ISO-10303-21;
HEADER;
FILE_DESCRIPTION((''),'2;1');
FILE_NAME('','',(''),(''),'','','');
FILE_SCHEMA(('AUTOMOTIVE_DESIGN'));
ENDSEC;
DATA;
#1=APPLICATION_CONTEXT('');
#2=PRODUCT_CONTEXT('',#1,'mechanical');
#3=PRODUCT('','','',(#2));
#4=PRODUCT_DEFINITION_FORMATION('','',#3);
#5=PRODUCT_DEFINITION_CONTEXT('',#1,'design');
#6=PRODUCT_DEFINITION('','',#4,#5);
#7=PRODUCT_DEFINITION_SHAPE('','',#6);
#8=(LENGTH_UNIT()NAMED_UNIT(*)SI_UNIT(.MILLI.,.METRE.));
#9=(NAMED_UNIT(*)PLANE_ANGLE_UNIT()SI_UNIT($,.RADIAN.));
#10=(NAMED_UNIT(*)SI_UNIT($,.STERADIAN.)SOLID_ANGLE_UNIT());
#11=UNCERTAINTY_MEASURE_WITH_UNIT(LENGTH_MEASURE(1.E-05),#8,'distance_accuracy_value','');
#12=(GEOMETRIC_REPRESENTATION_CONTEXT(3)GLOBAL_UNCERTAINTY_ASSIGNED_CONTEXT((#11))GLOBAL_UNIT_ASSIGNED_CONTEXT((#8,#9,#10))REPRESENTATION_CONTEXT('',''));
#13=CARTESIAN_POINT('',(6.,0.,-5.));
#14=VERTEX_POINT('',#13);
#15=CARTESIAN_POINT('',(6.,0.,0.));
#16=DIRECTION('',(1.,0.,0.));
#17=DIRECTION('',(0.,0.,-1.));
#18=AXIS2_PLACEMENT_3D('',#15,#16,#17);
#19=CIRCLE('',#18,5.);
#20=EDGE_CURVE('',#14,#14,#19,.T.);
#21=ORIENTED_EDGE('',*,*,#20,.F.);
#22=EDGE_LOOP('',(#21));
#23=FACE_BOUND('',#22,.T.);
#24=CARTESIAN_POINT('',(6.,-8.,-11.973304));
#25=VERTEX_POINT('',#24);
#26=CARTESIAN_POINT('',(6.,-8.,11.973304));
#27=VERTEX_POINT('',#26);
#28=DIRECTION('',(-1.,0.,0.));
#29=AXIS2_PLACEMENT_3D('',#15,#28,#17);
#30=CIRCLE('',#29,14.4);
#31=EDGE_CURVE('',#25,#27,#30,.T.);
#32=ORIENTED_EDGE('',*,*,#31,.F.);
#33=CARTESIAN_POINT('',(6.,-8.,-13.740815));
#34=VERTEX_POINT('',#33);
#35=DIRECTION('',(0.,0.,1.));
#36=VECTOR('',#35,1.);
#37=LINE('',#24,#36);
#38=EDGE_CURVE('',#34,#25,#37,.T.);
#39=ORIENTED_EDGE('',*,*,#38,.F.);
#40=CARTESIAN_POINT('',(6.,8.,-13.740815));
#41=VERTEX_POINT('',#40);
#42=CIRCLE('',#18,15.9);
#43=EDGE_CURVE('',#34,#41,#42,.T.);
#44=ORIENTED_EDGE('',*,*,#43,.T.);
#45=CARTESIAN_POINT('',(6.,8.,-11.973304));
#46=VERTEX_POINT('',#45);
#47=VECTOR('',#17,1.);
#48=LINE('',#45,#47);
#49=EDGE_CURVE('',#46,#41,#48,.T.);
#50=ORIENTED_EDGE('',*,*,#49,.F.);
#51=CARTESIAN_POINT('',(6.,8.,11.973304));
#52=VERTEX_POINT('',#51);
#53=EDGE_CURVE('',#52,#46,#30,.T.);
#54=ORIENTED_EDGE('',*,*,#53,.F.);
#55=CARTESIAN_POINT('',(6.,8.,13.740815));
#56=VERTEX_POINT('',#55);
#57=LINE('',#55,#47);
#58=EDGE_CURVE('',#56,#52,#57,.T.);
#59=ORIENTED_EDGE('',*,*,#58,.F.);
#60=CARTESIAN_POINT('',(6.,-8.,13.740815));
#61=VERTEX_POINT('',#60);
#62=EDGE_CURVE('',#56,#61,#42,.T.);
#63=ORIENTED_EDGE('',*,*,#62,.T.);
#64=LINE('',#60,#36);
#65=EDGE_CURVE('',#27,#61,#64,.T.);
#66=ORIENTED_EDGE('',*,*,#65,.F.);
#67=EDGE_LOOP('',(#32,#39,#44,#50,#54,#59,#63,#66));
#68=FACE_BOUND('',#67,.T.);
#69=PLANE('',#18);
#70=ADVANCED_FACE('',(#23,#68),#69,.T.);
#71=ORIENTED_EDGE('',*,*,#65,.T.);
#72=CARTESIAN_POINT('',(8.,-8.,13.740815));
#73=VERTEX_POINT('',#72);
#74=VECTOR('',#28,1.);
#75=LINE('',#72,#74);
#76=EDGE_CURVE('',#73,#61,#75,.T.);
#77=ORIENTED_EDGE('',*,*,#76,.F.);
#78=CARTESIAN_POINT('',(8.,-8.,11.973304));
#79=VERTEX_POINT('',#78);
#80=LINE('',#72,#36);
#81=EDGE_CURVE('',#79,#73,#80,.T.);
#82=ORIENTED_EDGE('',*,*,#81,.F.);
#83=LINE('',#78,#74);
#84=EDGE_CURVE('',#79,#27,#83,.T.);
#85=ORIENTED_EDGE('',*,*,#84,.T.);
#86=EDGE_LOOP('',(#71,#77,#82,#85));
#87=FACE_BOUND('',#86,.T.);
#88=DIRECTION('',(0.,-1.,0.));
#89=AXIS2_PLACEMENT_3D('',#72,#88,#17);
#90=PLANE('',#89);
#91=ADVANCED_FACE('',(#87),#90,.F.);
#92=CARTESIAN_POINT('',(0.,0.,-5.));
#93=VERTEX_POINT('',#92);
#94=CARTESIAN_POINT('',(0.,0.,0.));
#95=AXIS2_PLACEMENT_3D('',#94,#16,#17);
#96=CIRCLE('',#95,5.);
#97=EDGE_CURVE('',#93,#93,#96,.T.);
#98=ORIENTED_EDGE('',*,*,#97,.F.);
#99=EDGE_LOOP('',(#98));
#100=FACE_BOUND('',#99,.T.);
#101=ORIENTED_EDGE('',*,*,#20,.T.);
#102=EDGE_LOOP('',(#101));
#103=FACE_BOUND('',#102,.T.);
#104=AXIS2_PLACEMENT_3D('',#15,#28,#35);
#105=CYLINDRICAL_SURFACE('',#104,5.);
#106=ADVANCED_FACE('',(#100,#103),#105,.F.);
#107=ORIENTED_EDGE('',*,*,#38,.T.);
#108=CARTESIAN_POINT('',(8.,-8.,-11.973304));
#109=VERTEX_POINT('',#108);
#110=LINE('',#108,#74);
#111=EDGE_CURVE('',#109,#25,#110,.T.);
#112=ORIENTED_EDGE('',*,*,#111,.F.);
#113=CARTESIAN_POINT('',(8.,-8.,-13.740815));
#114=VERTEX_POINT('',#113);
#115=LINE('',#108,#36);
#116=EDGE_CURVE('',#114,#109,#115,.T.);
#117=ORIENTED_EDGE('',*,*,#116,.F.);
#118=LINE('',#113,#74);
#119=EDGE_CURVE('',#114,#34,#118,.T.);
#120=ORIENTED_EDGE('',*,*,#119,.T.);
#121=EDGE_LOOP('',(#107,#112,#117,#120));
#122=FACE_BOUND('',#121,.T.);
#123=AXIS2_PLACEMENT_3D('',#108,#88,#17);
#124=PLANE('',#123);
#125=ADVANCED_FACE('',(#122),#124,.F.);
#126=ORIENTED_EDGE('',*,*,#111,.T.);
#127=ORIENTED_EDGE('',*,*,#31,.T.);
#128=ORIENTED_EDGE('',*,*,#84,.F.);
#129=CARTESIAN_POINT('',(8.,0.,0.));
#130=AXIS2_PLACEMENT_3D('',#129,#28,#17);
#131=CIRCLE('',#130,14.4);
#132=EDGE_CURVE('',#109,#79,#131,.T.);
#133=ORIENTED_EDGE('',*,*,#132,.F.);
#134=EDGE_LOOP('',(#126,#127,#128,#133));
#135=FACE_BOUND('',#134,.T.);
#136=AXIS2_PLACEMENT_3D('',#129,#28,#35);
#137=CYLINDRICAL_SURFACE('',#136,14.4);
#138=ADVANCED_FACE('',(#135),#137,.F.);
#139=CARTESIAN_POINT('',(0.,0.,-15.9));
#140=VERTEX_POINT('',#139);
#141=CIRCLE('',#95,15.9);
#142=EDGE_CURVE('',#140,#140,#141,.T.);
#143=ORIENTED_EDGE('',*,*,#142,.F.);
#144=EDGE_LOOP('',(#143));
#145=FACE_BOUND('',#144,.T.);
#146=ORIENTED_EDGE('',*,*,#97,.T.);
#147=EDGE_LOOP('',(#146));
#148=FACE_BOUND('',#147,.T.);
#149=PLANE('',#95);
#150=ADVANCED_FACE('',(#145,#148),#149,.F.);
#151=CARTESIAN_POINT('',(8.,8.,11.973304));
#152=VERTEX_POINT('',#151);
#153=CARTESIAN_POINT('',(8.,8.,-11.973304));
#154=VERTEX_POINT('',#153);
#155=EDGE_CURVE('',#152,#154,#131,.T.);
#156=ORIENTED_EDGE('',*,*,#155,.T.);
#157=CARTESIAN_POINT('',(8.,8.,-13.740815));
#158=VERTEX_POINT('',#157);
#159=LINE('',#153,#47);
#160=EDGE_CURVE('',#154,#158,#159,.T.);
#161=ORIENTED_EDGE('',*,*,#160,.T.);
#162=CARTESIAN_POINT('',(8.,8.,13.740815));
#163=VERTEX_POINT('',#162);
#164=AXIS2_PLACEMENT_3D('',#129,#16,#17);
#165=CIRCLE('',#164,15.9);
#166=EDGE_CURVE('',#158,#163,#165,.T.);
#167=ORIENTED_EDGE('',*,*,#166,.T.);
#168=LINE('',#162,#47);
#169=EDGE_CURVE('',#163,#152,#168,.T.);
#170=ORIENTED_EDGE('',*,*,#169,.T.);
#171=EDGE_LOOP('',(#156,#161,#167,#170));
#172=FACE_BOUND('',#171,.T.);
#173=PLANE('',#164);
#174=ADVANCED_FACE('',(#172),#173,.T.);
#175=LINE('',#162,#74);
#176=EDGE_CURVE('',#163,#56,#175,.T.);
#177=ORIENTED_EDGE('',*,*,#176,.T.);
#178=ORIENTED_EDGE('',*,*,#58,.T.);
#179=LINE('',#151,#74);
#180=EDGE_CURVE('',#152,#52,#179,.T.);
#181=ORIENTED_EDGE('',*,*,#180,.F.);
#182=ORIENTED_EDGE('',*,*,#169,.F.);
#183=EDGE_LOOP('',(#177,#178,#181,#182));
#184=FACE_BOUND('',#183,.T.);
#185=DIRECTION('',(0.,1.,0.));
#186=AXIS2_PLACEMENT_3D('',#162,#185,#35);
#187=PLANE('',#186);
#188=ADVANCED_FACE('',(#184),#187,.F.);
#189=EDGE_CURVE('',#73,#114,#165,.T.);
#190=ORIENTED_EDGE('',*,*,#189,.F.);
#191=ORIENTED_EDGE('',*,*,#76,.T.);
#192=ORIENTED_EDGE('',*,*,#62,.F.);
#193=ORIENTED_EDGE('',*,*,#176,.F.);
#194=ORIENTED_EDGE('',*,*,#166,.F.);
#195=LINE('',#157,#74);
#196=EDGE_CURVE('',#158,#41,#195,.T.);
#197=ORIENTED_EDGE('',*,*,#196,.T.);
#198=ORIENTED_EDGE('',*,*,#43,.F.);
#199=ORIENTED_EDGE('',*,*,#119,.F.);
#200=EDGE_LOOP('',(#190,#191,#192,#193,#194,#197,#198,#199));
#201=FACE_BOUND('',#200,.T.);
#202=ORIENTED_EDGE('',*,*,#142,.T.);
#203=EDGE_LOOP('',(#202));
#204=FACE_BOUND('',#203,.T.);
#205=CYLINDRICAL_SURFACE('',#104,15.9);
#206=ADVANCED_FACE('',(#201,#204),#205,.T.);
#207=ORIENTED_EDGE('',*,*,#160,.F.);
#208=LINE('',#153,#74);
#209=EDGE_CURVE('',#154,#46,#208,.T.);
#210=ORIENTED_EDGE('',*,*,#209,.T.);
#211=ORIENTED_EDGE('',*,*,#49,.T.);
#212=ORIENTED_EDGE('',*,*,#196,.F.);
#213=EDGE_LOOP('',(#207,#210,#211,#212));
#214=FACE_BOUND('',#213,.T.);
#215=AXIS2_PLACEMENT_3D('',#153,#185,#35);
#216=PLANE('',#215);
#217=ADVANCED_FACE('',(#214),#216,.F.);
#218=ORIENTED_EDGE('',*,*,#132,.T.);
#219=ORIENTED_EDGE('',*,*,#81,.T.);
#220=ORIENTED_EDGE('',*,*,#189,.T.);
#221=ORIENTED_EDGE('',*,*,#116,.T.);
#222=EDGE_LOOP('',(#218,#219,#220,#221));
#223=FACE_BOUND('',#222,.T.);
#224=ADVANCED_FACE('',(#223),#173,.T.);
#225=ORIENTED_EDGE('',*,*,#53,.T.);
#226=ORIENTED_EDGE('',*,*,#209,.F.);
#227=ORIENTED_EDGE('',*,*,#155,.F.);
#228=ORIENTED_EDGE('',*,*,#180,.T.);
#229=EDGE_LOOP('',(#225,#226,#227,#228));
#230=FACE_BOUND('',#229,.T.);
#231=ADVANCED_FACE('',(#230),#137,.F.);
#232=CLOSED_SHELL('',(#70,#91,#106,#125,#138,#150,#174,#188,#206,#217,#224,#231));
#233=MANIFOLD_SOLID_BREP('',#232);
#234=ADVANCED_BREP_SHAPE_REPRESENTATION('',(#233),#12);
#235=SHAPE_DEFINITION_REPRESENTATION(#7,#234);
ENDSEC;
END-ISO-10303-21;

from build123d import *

# Parameters (mm, degrees)
SKETCH1_R           = 15.9
SKETCH1_R_2         = 5
BOSS_EXTRUDE1_DEPTH = 6
BOSS_EXTRUDE2_DEPTH = 2


with BuildPart() as part:
    # Sketch1 → Boss-Extrude1 (new body)
    with BuildSketch(Plane(origin=(0, 0, 0), x_dir=(0, 0, -1), z_dir=(1, 0, 0))):
        Circle(SKETCH1_R)
        Circle(SKETCH1_R_2, mode=Mode.SUBTRACT)
    extrude(amount=BOSS_EXTRUDE1_DEPTH)

    # Sketch2 → Boss-Extrude2 (add)
    with BuildSketch(Plane(origin=(6, 0, 0), x_dir=(0, 0, -1), z_dir=(1, 0, 0))):
        with BuildLine():
            Line((11.973303638, -8), (13.740815114, -8))
            ThreePointArc((13.740815114, -8), (0, -15.9), (-13.740815114, -8))
            Line((-13.740815114, -8), (-11.973303638, -8))
            ThreePointArc((-11.973303638, -8), (0, -14.4), (11.973303638, -8))
        make_face()
        with BuildLine():
            Line((-13.740815114, 8), (-11.973303638, 8))
            ThreePointArc((-11.973303638, 8), (0, 14.4), (11.973303638, 8))
            Line((11.973303638, 8), (13.740815114, 8))
            ThreePointArc((13.740815114, 8), (0, 15.9), (-13.740815114, 8))
        make_face()
    extrude(amount=BOSS_EXTRUDE2_DEPTH)


solid = part.part
